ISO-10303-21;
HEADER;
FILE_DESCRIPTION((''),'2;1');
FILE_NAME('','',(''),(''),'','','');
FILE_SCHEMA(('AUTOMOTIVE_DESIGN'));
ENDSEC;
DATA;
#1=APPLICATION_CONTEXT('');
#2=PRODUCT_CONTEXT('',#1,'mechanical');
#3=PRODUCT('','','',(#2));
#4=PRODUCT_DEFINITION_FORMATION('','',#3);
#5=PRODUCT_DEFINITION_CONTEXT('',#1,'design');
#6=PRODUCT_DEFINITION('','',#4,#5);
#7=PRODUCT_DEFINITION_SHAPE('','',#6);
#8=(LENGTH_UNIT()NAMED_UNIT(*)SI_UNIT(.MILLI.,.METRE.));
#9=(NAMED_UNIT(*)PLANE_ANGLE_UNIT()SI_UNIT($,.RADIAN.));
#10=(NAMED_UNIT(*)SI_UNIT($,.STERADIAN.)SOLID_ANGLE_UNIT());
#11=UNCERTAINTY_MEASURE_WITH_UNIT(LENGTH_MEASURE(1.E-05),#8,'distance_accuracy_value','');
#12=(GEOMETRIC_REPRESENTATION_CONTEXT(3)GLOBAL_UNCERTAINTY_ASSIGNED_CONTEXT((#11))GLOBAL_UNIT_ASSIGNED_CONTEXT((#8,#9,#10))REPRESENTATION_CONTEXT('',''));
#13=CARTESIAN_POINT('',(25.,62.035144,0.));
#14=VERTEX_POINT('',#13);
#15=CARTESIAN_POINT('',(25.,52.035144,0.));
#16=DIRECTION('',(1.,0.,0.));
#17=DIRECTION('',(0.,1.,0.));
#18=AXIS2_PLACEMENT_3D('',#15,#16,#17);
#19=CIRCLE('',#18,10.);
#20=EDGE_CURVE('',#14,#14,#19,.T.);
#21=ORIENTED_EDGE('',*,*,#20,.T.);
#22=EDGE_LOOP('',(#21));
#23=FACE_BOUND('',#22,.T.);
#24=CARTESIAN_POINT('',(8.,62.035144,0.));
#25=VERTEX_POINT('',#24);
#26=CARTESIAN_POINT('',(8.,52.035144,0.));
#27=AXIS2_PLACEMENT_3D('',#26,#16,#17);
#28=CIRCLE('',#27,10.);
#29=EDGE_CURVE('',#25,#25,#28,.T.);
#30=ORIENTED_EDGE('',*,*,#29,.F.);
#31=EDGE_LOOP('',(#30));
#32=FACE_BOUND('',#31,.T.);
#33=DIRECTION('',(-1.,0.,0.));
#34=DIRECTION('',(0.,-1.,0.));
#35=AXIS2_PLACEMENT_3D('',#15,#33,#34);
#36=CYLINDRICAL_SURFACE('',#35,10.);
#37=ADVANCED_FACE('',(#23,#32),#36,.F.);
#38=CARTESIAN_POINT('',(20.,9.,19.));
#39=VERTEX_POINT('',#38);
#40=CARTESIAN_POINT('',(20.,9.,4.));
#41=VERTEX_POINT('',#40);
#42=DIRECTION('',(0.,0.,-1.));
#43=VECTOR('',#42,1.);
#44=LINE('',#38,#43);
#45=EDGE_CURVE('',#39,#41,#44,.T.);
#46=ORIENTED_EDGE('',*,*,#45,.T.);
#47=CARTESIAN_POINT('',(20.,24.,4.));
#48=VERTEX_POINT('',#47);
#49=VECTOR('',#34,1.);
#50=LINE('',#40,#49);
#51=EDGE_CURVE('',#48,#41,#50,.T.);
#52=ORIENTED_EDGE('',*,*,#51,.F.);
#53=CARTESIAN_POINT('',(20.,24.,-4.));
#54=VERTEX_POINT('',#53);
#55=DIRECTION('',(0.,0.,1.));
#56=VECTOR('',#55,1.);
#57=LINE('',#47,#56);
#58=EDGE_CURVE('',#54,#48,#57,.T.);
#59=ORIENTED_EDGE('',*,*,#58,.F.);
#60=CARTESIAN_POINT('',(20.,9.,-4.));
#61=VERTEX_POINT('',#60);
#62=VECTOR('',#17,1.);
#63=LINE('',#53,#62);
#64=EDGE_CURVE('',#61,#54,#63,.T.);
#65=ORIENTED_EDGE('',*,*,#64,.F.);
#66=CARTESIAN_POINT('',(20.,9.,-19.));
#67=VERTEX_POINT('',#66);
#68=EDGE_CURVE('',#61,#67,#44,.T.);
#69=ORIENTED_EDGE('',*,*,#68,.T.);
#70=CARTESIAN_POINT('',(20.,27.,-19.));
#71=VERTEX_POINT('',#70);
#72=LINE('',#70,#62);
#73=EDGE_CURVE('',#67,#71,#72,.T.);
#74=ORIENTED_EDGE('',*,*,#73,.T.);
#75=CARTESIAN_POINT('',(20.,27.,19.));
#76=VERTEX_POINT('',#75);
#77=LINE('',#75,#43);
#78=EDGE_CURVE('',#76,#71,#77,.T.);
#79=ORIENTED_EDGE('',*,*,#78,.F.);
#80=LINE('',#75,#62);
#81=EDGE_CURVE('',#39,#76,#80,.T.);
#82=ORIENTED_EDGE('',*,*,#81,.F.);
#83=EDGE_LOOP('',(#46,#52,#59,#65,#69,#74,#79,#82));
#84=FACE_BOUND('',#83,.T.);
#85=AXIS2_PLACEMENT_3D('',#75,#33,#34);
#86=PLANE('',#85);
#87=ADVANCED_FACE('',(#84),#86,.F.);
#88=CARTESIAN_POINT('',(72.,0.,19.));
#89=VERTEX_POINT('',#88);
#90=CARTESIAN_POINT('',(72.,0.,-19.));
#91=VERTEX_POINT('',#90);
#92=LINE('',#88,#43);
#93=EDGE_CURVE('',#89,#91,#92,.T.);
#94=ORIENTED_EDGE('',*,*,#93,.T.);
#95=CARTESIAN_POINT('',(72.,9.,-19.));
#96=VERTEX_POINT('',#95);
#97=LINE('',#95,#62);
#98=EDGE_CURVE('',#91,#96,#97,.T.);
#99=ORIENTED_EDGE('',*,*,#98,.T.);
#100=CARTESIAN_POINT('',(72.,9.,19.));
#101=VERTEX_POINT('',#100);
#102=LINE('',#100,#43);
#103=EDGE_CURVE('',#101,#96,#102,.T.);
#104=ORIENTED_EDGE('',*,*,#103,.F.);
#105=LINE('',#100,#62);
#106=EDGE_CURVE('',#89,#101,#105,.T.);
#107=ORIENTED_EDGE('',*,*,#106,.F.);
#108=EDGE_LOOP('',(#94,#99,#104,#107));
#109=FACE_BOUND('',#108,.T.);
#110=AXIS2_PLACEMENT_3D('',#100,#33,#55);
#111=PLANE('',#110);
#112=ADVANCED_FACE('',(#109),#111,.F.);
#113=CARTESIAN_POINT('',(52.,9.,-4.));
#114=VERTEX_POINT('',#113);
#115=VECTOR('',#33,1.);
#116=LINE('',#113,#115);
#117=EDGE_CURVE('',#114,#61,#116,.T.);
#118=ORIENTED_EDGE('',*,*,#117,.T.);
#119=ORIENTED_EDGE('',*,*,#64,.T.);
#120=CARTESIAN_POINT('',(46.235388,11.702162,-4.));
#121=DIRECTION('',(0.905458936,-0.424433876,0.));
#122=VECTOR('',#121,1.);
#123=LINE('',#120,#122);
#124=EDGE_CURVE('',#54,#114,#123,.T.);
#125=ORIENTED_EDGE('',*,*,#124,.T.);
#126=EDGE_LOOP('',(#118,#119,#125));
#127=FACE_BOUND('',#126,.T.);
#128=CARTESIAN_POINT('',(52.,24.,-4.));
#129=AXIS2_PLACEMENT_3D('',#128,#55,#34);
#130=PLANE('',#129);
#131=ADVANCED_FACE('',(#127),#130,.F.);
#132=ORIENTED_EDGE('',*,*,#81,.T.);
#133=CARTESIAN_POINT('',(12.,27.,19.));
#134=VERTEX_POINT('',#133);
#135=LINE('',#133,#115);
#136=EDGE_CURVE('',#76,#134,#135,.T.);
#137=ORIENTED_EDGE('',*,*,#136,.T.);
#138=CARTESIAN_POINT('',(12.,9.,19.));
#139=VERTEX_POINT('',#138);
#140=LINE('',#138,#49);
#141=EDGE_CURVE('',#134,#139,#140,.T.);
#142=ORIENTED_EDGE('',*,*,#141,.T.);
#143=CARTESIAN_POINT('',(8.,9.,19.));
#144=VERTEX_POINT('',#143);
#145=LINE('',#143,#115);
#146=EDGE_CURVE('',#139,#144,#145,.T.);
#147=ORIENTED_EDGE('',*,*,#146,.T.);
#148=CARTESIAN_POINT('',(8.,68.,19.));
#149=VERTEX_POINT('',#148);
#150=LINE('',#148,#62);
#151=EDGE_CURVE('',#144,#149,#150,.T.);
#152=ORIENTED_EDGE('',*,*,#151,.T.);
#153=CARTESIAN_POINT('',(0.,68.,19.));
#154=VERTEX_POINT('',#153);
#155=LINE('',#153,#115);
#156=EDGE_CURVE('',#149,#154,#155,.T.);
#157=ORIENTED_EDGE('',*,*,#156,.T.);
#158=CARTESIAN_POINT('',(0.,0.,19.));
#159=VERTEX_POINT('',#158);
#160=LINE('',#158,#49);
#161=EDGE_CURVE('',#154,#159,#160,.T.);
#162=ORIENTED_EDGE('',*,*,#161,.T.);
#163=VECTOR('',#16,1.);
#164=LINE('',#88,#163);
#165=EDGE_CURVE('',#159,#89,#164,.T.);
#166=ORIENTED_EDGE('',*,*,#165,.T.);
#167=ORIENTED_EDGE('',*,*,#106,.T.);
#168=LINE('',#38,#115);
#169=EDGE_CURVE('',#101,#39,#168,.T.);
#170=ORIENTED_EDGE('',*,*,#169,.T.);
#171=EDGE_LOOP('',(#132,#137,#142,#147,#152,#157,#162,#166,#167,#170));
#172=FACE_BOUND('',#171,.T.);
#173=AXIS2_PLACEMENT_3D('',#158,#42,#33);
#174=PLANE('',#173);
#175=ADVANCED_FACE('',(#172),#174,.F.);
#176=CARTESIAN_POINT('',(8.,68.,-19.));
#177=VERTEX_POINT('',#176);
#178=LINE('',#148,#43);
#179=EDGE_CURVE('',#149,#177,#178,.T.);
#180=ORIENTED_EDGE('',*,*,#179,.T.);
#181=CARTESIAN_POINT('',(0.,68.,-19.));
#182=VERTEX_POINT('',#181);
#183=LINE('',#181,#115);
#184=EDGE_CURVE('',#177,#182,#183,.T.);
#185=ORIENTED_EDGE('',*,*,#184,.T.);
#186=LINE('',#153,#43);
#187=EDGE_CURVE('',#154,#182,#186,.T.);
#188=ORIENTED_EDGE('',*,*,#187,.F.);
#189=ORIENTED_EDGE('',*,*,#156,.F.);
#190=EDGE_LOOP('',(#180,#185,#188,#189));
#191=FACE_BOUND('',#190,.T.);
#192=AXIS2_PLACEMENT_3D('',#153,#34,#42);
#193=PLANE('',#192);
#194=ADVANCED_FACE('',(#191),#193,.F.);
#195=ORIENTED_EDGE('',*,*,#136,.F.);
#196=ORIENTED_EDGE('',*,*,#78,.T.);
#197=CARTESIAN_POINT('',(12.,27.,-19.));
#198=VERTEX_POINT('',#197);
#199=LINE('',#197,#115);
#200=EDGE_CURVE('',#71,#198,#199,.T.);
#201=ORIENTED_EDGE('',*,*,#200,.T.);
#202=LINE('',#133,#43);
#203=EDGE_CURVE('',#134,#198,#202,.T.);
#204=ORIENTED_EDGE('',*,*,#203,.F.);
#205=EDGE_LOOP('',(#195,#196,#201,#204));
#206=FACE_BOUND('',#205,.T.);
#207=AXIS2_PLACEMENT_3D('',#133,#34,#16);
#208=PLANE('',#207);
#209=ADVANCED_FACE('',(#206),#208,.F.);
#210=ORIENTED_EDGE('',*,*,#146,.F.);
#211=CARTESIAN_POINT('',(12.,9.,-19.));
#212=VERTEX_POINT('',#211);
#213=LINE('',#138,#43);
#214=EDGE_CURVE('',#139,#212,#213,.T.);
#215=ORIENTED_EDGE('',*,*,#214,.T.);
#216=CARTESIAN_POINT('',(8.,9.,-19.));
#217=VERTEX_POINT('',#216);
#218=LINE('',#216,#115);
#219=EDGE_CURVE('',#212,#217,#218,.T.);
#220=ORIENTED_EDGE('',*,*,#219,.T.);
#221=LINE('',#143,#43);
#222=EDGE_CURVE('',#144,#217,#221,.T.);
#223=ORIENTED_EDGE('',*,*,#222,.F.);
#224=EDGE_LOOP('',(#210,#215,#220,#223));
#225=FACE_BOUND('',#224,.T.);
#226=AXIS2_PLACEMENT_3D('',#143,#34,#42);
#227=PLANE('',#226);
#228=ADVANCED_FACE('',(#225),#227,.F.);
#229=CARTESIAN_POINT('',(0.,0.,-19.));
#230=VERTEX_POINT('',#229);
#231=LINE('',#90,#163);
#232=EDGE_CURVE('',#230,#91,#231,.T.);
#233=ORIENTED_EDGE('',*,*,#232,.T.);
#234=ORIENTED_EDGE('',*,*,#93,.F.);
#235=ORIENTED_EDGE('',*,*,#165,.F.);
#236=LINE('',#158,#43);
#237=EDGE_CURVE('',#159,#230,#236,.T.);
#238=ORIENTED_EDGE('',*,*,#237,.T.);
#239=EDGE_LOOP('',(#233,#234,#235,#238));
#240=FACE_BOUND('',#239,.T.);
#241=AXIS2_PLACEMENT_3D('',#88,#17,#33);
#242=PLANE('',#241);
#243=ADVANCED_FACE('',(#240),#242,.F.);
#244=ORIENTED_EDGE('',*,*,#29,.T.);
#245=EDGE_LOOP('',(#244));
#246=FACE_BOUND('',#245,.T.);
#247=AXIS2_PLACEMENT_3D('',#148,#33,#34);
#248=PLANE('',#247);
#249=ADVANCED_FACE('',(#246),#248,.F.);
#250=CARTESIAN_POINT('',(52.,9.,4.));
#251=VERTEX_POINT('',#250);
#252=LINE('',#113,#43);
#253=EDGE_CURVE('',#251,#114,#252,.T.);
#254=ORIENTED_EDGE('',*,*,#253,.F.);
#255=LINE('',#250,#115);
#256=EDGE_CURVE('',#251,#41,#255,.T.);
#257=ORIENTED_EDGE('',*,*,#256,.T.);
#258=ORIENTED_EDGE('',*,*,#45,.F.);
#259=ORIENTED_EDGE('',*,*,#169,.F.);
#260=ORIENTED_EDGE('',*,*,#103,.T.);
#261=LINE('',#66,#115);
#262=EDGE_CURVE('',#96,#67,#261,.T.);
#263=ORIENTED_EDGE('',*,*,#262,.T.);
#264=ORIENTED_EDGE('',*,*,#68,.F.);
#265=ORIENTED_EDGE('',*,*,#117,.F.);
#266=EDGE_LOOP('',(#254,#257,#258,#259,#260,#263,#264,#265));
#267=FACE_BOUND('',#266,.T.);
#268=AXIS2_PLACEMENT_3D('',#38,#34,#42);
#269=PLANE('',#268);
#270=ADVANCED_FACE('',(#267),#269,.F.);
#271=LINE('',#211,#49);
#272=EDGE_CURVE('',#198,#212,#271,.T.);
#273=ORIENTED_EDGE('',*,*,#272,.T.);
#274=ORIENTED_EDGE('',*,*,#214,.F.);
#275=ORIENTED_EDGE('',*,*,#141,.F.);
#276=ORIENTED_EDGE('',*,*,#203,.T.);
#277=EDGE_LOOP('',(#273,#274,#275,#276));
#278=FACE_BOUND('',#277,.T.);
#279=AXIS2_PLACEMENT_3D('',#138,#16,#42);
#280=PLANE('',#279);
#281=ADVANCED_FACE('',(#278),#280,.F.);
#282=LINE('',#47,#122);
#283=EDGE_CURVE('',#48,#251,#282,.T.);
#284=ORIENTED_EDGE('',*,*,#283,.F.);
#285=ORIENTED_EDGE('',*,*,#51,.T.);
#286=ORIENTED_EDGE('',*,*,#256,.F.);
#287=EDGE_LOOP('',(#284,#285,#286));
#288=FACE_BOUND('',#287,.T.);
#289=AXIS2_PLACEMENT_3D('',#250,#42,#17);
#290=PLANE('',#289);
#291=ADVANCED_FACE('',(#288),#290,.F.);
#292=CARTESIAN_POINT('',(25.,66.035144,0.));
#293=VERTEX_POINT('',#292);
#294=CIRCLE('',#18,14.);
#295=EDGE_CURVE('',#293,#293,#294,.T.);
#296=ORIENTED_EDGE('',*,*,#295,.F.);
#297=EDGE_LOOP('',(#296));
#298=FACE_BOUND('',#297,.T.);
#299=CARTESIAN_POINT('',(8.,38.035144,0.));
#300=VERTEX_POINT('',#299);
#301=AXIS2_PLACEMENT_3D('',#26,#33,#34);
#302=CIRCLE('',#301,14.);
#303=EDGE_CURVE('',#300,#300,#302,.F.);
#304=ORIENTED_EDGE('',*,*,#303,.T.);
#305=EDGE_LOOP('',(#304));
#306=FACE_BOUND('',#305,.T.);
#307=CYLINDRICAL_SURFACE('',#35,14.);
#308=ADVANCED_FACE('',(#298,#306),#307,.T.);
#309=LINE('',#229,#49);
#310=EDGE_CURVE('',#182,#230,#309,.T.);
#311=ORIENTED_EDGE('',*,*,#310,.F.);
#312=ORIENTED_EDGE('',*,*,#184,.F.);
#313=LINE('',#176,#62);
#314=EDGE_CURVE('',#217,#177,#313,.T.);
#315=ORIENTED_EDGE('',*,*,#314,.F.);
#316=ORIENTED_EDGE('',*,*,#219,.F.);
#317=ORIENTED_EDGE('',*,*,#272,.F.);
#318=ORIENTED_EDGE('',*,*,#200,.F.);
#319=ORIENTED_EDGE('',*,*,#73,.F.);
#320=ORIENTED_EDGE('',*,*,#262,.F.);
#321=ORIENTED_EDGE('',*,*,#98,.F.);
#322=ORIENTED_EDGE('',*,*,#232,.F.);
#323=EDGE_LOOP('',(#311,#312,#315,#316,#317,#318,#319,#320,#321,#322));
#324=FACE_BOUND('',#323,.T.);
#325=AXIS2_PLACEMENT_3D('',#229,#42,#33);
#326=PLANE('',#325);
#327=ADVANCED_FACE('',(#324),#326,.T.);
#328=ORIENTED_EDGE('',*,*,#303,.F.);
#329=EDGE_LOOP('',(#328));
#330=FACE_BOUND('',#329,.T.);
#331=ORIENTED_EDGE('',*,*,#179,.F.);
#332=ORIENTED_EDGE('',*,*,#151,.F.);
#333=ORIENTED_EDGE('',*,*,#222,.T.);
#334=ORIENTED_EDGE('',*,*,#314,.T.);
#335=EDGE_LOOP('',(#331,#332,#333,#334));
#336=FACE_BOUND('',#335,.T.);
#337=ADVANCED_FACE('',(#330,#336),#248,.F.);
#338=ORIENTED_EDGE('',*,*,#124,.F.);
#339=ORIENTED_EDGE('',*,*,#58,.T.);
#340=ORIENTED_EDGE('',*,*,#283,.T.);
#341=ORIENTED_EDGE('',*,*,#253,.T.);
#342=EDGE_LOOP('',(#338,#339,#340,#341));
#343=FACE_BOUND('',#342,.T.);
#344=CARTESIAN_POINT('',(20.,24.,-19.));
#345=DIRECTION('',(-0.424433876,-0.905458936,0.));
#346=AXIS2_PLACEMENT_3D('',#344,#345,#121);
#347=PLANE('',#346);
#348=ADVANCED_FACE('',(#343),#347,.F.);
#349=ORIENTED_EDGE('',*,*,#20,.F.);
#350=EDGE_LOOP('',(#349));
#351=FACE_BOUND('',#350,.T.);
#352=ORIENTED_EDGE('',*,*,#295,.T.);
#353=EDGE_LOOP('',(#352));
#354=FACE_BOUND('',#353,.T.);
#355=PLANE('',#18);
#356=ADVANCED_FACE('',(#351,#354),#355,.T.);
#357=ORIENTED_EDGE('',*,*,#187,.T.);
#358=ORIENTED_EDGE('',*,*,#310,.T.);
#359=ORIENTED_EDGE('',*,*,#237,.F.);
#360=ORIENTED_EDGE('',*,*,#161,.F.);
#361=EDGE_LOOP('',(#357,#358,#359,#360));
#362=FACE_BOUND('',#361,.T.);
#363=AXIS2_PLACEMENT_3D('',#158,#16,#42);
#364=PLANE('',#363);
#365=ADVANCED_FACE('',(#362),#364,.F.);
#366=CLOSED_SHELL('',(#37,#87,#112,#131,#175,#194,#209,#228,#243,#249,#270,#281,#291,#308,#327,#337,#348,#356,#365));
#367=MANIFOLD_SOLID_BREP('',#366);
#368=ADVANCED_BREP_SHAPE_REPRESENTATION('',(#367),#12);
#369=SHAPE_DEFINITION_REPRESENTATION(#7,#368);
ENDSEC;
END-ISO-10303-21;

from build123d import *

# Parameters (mm, degrees)
SALIENTE_EXTRUIR2_DEPTH = 19
SALIENTE_EXTRUIR3_DEPTH = 32
CORTAR_EXTRUIR1_DEPTH   = 102.671038157
CROQUIS5_R              = 14
CROQUIS5_R_2            = 10
SALIENTE_EXTRUIR4_DEPTH = 17


with BuildPart() as part:
    # Croquis1 → Saliente-Extruir2 (new, symmetric)
    with BuildSketch(Plane.XY):
        Polygon((0, 0), (0, 68), (8, 68), (8, 9), (12, 9), (12, 27), (20, 27), (20, 9), (72, 9), (72, 0), align=None)
    extrude(amount=SALIENTE_EXTRUIR2_DEPTH, both=True)

    # Croquis3 → Saliente-Extruir3 (add)
    with BuildSketch(Plane(origin=(20, 0, 0), x_dir=(0, 0, -1), z_dir=(1, 0, 0))):
        Polygon((0, 9), (-4, 9), (-4, 24), (4, 24), (4, 9), align=None)
    extrude(amount=SALIENTE_EXTRUIR3_DEPTH)

    # Croquis4 → Cortar-Extruir1 (cut, through all)
    with BuildSketch(Plane.XY.offset(4)):
        Polygon((20, 24), (52, 9), (52, 24), align=None)
    extrude(amount=-CORTAR_EXTRUIR1_DEPTH, mode=Mode.SUBTRACT)

    # Croquis5 → Saliente-Extruir4 (add)
    with BuildSketch(Plane(origin=(8, 0, 0), x_dir=(0, 0, -1), z_dir=(1, 0, 0))):
        with Locations(Location((0, 52.035144158, 0), (0, 0, 270))):
            Circle(CROQUIS5_R)
        with Locations(Location((0, 52.035144158, 0), (0, 0, 90))):
            Circle(CROQUIS5_R_2, mode=Mode.SUBTRACT)
    extrude(amount=SALIENTE_EXTRUIR4_DEPTH)


solid = part.part
